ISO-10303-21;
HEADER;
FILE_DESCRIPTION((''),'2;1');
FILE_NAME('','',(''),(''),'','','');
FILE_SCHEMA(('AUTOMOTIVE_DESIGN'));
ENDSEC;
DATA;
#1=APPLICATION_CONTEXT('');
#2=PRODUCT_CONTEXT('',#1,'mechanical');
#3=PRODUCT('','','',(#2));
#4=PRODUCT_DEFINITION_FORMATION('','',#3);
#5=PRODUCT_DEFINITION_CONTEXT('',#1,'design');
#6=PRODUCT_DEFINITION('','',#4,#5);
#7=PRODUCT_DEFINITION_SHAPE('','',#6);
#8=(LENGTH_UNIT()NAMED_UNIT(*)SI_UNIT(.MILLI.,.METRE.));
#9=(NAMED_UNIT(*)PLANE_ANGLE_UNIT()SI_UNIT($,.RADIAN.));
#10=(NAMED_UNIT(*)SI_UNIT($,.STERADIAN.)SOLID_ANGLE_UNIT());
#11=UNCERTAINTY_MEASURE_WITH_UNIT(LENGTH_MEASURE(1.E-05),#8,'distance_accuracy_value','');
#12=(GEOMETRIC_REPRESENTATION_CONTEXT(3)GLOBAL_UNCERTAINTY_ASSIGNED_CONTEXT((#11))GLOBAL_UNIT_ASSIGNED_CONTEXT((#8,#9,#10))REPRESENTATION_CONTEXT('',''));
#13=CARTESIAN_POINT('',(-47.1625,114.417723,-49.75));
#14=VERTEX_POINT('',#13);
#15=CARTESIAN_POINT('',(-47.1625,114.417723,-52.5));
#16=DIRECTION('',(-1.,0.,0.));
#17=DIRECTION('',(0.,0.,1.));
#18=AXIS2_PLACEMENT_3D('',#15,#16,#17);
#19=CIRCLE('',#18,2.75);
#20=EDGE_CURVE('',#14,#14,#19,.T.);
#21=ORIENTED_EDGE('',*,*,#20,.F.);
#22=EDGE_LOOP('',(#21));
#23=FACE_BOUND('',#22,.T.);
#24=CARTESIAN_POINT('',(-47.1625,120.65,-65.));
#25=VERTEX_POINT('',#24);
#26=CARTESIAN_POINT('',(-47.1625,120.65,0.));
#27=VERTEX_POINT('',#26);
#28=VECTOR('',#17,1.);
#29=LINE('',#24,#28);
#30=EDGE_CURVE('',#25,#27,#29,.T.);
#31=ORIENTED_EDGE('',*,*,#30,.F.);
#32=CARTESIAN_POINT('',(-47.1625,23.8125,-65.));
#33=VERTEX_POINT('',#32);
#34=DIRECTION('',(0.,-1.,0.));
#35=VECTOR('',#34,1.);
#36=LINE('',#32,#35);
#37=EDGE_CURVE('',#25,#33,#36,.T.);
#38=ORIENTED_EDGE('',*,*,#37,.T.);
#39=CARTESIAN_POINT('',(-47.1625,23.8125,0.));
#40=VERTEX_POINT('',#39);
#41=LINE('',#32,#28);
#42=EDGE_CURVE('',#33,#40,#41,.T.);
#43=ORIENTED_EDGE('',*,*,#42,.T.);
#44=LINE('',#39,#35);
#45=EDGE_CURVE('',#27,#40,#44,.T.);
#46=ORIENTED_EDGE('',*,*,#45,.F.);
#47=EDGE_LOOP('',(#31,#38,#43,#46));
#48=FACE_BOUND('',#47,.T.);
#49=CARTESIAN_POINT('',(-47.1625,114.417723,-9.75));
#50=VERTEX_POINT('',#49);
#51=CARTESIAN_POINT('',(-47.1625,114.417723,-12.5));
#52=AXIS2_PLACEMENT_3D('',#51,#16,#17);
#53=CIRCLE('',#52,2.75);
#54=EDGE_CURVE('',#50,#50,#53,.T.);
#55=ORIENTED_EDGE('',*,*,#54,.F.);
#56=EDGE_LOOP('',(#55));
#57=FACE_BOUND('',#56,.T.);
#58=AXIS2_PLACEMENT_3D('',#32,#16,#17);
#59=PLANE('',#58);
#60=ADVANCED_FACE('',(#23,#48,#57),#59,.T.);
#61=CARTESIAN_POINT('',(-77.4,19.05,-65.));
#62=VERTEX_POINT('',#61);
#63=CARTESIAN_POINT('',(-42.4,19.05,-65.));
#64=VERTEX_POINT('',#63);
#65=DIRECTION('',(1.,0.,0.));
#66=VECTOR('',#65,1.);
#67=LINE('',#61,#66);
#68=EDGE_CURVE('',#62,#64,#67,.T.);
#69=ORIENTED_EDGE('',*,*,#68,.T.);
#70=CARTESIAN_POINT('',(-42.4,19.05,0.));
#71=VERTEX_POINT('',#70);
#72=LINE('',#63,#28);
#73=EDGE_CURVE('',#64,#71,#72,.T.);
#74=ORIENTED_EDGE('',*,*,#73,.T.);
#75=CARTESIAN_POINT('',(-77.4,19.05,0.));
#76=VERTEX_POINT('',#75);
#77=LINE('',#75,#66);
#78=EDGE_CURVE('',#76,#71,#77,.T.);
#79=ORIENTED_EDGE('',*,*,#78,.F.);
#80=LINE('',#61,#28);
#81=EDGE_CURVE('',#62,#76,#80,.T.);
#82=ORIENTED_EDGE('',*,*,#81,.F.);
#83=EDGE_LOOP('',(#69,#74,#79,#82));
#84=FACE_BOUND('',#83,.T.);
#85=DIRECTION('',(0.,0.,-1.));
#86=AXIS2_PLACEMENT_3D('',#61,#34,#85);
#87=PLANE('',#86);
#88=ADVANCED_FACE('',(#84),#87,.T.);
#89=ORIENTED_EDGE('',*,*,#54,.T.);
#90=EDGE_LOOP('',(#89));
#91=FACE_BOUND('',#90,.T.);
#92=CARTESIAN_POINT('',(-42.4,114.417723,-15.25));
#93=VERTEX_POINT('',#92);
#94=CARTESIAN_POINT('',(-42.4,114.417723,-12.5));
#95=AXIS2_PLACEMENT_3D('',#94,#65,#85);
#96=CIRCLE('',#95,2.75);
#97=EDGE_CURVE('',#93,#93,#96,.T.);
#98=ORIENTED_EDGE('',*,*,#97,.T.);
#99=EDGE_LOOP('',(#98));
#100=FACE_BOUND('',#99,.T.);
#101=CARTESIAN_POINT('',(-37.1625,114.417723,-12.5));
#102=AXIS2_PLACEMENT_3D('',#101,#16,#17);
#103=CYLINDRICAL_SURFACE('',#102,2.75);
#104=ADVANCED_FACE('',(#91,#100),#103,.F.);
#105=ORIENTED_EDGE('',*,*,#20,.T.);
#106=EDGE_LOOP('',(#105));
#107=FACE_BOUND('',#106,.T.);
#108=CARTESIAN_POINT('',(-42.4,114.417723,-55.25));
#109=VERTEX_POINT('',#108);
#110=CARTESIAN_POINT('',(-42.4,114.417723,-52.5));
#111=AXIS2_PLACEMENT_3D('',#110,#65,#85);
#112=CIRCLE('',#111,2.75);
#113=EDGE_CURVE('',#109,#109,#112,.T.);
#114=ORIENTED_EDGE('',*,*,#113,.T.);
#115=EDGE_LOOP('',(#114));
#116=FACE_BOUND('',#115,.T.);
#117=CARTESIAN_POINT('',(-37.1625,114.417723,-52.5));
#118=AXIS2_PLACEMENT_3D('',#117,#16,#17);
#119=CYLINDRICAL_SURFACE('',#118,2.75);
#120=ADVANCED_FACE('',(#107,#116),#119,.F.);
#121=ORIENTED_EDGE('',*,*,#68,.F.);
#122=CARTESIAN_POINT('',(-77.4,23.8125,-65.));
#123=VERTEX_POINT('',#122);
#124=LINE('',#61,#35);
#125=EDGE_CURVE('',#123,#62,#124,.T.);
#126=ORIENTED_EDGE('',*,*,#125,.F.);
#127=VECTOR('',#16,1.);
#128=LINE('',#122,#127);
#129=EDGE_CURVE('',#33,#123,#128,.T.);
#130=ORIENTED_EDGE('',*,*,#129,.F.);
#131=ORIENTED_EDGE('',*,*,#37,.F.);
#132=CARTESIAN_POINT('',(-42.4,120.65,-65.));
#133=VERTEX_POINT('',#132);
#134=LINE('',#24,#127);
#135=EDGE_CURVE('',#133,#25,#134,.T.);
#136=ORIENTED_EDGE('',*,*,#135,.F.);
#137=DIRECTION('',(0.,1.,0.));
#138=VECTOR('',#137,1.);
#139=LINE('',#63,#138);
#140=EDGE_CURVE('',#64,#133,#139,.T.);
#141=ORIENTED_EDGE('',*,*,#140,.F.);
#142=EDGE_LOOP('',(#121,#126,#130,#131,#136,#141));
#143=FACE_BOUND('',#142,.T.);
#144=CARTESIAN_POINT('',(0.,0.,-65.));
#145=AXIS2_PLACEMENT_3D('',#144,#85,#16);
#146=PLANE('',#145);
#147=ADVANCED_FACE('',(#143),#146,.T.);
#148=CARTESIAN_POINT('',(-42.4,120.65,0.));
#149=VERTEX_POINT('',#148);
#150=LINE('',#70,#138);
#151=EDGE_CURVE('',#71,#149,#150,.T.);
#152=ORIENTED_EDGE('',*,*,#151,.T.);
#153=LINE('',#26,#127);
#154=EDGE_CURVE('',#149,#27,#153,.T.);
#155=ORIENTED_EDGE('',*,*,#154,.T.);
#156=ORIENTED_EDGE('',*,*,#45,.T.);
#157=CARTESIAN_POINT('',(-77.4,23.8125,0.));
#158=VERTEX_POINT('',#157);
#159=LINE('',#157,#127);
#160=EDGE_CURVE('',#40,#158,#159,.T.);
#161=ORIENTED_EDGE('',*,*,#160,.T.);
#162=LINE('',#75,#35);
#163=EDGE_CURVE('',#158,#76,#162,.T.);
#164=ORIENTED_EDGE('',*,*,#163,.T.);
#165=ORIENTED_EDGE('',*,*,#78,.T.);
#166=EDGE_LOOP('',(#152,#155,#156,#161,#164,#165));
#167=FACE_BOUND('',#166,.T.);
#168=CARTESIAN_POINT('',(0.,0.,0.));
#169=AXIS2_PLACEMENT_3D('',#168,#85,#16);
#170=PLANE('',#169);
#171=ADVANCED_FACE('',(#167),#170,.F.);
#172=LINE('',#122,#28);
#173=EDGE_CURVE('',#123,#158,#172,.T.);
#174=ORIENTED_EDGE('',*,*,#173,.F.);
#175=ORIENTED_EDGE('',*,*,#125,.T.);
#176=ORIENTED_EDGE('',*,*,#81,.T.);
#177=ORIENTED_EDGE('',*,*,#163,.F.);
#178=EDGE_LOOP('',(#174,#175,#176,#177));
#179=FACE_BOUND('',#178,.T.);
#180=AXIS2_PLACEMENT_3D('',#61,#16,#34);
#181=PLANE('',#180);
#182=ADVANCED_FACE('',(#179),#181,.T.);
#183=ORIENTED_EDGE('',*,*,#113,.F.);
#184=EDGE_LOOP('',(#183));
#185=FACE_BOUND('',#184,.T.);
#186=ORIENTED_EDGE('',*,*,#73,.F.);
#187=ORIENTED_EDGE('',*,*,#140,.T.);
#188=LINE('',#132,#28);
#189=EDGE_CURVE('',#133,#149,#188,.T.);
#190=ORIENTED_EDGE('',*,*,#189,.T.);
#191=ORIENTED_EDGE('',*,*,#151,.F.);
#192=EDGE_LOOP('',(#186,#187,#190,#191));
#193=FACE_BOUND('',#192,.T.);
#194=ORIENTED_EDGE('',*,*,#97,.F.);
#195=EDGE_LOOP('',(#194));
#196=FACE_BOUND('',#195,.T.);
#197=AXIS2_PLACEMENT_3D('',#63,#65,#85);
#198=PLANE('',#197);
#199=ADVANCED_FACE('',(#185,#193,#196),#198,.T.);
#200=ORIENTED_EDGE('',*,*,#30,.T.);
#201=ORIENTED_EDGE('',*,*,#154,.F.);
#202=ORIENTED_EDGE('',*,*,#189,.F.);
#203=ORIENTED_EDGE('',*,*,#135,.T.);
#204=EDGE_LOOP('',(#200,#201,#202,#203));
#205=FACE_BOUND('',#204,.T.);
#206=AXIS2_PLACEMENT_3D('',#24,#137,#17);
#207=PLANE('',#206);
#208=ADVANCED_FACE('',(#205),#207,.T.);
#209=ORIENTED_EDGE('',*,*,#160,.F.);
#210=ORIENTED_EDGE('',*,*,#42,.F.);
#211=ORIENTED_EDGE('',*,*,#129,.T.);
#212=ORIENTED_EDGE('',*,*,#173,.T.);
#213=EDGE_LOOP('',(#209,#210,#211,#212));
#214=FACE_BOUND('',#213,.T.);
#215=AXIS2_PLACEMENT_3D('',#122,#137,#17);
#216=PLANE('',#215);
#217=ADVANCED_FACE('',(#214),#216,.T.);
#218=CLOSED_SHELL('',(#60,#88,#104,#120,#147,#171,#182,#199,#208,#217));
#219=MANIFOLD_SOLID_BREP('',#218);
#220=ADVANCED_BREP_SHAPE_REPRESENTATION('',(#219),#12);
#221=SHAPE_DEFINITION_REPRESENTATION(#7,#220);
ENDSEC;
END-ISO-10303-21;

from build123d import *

# Parameters (mm, degrees)
BOSS_EXTRUDE1_DEPTH = 65
SKETCH2_R           = 2.75
CUT_EXTRUDE1_DEPTH  = 10


with BuildPart() as part:
    # Sketch1 → Boss-Extrude1 (new body)
    with BuildSketch(Plane.XY):
        Polygon((-77.4, 19.05), (-42.4, 19.05), (-42.4, 120.65), (-47.1625, 120.65), (-47.1625, 23.8125), (-77.4, 23.8125), align=None)
    extrude(amount=-BOSS_EXTRUDE1_DEPTH)

    # Sketch2 → Cut-Extrude1 (cut)
    with BuildSketch(Plane.ZY.offset(47.1625)):
        with Locations((-12.5, 114.417723435)):
            Circle(SKETCH2_R)
        with Locations((-52.5, 114.417723435)):
            Circle(SKETCH2_R)
    extrude(amount=-CUT_EXTRUDE1_DEPTH, mode=Mode.SUBTRACT)


solid = part.part
